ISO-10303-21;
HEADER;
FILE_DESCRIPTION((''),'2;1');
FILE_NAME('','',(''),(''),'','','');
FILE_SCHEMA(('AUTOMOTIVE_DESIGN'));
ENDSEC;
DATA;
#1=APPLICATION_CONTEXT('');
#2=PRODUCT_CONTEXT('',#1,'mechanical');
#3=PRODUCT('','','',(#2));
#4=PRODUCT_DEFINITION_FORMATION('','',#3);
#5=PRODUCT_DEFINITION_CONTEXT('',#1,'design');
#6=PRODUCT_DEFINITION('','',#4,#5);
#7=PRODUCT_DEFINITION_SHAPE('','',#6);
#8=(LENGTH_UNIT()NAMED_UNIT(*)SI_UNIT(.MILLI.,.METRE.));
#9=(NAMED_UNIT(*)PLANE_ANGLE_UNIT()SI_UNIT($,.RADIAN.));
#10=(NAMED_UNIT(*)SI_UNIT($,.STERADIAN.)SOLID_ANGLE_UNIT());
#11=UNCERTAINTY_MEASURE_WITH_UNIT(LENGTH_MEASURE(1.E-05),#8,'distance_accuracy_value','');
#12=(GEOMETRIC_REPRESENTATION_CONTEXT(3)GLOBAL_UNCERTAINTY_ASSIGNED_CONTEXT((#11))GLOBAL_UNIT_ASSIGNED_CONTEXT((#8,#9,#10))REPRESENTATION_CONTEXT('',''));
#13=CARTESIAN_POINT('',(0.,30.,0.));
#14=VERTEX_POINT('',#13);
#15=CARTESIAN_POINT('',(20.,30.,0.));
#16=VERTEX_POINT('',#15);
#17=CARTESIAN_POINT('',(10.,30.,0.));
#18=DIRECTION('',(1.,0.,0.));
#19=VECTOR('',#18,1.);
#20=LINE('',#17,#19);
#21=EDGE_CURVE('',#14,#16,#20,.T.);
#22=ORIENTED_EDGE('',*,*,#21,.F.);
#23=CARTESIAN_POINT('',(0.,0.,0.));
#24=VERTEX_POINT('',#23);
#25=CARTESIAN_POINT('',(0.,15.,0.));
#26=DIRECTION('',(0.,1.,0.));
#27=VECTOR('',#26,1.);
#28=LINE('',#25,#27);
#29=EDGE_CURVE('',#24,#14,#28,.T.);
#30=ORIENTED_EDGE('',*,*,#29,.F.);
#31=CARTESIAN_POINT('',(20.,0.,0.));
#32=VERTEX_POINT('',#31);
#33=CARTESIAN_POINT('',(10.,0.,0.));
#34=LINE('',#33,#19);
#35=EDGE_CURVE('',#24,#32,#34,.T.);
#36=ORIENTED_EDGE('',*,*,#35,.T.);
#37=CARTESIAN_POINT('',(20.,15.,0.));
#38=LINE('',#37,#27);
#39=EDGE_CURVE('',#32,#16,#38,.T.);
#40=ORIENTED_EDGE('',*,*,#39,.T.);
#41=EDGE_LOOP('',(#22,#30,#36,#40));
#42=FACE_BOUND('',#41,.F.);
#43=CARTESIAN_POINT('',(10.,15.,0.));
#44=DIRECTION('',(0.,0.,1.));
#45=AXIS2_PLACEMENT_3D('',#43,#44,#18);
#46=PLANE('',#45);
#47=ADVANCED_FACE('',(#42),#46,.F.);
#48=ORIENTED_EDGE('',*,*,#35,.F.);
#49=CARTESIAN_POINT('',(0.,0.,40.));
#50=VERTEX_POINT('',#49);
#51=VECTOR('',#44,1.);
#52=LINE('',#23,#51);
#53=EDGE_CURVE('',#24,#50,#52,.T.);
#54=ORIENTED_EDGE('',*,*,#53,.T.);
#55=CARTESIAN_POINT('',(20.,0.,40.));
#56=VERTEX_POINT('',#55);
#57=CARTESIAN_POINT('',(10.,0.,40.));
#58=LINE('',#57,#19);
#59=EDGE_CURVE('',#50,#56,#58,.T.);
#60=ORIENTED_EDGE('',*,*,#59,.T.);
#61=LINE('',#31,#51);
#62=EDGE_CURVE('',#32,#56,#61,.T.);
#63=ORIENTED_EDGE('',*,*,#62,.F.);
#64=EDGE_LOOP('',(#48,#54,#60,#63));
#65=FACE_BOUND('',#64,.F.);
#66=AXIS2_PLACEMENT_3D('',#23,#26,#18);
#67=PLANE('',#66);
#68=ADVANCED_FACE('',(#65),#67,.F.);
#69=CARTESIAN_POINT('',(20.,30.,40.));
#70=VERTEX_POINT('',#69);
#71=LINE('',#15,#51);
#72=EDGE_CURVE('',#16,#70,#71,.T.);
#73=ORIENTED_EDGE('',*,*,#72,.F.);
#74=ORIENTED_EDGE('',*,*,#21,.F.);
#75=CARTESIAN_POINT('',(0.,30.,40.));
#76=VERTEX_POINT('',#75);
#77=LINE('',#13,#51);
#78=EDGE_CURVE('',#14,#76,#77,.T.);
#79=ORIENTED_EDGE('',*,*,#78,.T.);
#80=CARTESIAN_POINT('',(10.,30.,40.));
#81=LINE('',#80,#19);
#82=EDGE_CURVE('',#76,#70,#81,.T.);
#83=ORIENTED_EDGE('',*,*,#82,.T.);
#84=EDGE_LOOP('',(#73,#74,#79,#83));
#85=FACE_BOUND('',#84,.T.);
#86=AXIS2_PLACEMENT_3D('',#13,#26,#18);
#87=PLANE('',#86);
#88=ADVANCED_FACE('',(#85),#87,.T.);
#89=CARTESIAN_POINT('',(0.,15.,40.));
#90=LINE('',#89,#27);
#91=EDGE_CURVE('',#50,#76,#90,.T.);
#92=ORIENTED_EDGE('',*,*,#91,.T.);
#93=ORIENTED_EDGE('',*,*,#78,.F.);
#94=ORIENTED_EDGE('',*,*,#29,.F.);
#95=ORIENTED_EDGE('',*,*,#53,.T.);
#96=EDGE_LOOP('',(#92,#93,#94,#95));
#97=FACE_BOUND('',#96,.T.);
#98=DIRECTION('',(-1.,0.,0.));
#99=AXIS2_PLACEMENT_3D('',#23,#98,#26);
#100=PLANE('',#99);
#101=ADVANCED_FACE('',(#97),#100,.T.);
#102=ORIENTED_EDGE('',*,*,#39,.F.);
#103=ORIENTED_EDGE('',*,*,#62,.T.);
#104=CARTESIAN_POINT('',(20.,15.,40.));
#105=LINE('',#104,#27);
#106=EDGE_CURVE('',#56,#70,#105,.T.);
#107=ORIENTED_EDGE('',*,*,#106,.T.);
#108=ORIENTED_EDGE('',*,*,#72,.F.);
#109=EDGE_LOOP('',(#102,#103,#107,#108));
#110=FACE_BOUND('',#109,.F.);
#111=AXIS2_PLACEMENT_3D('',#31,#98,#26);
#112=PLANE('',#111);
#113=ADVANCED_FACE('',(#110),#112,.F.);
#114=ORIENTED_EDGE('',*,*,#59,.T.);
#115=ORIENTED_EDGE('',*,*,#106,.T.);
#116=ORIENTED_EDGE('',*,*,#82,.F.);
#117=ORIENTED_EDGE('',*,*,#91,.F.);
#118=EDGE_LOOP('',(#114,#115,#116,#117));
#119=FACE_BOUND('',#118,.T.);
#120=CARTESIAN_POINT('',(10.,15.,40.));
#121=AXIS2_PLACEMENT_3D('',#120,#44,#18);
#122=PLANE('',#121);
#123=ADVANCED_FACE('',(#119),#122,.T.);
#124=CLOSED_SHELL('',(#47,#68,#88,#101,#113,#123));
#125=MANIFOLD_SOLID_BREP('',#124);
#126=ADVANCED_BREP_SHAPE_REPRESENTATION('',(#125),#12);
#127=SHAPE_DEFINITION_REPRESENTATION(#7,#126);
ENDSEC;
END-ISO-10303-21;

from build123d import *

# Parameters (mm, degrees)
BOX_W     = 20
BOX_H     = 30
BOX_DEPTH = 40


with BuildPart() as part:
    # Box → Box (new body)
    with BuildSketch(Plane.XY):
        with Locations((10, 15)):
            Rectangle(BOX_W, BOX_H)
    extrude(amount=BOX_DEPTH)


solid = part.part
